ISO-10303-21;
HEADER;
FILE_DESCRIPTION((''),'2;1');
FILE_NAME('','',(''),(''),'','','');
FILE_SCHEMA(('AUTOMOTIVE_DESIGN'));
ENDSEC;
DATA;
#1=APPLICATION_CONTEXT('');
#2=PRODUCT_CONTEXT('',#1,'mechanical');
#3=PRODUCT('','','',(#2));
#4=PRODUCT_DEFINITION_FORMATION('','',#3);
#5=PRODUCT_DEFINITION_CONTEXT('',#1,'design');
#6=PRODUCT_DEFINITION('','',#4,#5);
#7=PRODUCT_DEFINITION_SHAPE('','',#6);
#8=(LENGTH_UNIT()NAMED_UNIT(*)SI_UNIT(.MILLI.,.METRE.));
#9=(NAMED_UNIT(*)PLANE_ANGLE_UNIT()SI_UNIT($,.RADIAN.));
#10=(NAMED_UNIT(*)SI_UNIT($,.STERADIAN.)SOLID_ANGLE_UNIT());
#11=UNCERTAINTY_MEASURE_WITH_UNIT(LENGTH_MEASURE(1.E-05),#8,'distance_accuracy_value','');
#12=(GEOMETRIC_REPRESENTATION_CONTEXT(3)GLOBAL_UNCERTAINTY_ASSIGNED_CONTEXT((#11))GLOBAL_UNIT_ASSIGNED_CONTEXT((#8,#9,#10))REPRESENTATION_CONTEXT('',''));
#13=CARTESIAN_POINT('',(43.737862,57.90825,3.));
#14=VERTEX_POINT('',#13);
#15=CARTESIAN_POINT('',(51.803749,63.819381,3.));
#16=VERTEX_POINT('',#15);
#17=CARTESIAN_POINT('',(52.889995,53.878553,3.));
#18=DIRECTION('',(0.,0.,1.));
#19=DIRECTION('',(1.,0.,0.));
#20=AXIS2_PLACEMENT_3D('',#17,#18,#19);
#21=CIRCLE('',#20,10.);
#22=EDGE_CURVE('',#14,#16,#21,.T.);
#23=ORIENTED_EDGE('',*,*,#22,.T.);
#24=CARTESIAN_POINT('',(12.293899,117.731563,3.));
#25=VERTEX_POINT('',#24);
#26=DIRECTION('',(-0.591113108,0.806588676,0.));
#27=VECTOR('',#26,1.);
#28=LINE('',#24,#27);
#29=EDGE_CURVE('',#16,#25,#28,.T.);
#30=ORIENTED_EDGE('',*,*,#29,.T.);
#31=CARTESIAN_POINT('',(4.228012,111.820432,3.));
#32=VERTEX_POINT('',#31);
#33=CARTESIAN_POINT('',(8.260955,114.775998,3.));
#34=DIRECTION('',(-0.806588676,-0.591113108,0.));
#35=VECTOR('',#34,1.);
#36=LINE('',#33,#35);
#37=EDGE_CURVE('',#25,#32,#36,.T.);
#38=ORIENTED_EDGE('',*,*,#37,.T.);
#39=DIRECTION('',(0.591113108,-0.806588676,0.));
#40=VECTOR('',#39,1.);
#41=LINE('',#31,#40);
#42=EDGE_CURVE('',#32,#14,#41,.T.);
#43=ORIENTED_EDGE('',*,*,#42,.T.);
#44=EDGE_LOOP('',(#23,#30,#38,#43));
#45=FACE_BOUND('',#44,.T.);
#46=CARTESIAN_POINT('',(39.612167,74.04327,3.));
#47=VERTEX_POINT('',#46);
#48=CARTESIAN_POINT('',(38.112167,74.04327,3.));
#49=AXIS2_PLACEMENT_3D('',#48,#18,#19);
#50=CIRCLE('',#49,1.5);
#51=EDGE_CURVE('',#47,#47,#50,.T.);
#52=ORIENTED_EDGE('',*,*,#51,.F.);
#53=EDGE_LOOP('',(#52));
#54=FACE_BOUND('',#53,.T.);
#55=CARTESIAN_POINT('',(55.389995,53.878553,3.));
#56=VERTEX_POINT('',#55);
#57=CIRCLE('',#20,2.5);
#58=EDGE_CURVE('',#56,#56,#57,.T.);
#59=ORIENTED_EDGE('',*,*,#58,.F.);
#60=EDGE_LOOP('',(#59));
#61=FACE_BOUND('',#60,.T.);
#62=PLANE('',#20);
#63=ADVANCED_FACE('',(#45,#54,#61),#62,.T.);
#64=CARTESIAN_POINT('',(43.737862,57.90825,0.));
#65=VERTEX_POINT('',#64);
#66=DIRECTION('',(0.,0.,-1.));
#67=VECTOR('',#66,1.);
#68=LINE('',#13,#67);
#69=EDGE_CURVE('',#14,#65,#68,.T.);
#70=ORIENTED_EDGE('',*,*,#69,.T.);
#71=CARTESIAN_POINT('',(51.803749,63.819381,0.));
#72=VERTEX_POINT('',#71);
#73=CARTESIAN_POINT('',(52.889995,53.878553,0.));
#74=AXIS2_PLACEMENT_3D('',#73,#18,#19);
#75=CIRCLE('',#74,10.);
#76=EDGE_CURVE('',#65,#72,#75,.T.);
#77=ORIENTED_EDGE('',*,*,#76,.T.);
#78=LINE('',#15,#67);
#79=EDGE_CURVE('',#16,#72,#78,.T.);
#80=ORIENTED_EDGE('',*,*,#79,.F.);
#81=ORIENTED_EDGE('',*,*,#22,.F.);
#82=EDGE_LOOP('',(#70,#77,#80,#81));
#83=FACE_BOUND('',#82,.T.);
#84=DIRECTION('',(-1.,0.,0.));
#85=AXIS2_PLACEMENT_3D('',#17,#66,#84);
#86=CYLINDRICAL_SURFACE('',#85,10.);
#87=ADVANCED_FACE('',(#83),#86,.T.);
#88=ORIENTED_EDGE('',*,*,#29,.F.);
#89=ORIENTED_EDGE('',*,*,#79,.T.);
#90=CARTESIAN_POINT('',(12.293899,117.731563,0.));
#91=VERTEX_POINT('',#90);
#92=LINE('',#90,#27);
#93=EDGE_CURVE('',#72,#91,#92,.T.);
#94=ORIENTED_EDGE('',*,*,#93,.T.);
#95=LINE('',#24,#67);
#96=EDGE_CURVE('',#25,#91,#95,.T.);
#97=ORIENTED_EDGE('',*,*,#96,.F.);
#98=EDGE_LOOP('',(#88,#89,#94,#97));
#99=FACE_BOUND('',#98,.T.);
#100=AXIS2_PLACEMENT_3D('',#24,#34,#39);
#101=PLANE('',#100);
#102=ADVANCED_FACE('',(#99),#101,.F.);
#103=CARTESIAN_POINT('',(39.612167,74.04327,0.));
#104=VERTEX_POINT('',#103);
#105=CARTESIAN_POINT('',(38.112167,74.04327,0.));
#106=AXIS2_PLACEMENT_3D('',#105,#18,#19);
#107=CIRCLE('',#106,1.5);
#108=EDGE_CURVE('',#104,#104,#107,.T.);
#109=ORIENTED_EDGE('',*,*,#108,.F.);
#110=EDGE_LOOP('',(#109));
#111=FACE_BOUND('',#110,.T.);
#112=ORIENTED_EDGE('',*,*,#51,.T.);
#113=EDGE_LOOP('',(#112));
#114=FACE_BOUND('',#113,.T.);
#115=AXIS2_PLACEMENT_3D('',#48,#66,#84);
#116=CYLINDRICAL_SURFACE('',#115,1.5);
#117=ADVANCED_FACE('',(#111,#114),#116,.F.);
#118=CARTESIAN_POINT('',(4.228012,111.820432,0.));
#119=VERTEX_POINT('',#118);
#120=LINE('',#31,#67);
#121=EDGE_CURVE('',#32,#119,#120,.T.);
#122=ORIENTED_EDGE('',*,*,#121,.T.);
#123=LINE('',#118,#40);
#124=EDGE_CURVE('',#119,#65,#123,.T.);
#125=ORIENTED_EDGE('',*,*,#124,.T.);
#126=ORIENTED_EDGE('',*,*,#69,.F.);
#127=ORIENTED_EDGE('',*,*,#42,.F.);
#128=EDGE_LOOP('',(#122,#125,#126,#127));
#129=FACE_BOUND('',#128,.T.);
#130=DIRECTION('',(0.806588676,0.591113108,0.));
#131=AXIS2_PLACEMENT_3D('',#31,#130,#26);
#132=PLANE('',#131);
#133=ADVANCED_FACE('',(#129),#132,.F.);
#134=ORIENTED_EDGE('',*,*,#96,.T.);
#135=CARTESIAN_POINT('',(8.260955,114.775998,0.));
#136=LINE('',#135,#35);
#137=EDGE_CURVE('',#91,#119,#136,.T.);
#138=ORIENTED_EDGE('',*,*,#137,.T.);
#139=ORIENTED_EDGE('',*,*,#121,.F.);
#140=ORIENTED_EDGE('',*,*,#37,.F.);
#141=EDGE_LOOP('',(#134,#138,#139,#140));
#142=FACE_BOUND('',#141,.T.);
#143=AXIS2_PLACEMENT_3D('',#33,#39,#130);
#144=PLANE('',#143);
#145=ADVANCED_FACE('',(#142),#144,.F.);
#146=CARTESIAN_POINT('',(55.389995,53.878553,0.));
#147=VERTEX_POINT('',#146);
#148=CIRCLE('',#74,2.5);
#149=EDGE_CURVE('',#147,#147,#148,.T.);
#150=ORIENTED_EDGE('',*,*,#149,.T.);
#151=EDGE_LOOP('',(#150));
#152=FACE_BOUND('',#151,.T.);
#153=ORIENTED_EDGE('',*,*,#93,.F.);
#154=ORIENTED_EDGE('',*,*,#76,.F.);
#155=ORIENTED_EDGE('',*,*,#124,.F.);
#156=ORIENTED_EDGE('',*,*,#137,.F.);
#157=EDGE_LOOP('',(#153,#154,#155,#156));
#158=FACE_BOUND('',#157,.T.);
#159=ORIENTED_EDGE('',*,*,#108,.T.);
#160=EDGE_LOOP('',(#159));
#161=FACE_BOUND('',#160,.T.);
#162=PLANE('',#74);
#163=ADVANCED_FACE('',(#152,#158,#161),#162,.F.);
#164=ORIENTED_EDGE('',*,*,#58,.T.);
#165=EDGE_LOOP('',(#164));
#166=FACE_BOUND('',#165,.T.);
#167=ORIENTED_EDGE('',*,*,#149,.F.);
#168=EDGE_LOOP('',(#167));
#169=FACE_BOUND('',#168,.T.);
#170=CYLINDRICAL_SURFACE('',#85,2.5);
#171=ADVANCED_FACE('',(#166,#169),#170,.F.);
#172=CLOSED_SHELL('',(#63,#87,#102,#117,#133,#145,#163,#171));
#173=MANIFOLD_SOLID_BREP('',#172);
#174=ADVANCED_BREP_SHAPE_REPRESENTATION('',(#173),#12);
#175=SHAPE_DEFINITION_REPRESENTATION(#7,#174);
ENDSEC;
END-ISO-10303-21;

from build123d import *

# Parameters (mm, degrees)
SKETCH1_R           = 2.5
SKETCH1_R_2         = 1.500000002
BOSS_EXTRUDE1_DEPTH = 3


with BuildPart() as part:
    # Sketch1 → Boss-Extrude1 (new body)
    with BuildSketch(Plane.XY):
        with BuildLine():
            Line((8.260955194, 114.775997772), (4.228011812, 111.82043223))
            Line((4.228011812, 111.82043223), (43.737861818, 57.90825))
            ThreePointArc((43.737861818, 57.90825), (58.80112597, 45.812665936), (51.803748583, 63.819381085))
            Line((51.803748583, 63.819381085), (12.293898576, 117.731563314))
            Line((12.293898576, 117.731563314), (8.260955194, 114.775997772))
        make_face()
        with Locations((52.889994885, 53.8785527)):
            Circle(SKETCH1_R, mode=Mode.SUBTRACT)
        with Locations((38.112167173, 74.043269611)):
            Circle(SKETCH1_R_2, mode=Mode.SUBTRACT)
    extrude(amount=BOSS_EXTRUDE1_DEPTH)


solid = part.part
